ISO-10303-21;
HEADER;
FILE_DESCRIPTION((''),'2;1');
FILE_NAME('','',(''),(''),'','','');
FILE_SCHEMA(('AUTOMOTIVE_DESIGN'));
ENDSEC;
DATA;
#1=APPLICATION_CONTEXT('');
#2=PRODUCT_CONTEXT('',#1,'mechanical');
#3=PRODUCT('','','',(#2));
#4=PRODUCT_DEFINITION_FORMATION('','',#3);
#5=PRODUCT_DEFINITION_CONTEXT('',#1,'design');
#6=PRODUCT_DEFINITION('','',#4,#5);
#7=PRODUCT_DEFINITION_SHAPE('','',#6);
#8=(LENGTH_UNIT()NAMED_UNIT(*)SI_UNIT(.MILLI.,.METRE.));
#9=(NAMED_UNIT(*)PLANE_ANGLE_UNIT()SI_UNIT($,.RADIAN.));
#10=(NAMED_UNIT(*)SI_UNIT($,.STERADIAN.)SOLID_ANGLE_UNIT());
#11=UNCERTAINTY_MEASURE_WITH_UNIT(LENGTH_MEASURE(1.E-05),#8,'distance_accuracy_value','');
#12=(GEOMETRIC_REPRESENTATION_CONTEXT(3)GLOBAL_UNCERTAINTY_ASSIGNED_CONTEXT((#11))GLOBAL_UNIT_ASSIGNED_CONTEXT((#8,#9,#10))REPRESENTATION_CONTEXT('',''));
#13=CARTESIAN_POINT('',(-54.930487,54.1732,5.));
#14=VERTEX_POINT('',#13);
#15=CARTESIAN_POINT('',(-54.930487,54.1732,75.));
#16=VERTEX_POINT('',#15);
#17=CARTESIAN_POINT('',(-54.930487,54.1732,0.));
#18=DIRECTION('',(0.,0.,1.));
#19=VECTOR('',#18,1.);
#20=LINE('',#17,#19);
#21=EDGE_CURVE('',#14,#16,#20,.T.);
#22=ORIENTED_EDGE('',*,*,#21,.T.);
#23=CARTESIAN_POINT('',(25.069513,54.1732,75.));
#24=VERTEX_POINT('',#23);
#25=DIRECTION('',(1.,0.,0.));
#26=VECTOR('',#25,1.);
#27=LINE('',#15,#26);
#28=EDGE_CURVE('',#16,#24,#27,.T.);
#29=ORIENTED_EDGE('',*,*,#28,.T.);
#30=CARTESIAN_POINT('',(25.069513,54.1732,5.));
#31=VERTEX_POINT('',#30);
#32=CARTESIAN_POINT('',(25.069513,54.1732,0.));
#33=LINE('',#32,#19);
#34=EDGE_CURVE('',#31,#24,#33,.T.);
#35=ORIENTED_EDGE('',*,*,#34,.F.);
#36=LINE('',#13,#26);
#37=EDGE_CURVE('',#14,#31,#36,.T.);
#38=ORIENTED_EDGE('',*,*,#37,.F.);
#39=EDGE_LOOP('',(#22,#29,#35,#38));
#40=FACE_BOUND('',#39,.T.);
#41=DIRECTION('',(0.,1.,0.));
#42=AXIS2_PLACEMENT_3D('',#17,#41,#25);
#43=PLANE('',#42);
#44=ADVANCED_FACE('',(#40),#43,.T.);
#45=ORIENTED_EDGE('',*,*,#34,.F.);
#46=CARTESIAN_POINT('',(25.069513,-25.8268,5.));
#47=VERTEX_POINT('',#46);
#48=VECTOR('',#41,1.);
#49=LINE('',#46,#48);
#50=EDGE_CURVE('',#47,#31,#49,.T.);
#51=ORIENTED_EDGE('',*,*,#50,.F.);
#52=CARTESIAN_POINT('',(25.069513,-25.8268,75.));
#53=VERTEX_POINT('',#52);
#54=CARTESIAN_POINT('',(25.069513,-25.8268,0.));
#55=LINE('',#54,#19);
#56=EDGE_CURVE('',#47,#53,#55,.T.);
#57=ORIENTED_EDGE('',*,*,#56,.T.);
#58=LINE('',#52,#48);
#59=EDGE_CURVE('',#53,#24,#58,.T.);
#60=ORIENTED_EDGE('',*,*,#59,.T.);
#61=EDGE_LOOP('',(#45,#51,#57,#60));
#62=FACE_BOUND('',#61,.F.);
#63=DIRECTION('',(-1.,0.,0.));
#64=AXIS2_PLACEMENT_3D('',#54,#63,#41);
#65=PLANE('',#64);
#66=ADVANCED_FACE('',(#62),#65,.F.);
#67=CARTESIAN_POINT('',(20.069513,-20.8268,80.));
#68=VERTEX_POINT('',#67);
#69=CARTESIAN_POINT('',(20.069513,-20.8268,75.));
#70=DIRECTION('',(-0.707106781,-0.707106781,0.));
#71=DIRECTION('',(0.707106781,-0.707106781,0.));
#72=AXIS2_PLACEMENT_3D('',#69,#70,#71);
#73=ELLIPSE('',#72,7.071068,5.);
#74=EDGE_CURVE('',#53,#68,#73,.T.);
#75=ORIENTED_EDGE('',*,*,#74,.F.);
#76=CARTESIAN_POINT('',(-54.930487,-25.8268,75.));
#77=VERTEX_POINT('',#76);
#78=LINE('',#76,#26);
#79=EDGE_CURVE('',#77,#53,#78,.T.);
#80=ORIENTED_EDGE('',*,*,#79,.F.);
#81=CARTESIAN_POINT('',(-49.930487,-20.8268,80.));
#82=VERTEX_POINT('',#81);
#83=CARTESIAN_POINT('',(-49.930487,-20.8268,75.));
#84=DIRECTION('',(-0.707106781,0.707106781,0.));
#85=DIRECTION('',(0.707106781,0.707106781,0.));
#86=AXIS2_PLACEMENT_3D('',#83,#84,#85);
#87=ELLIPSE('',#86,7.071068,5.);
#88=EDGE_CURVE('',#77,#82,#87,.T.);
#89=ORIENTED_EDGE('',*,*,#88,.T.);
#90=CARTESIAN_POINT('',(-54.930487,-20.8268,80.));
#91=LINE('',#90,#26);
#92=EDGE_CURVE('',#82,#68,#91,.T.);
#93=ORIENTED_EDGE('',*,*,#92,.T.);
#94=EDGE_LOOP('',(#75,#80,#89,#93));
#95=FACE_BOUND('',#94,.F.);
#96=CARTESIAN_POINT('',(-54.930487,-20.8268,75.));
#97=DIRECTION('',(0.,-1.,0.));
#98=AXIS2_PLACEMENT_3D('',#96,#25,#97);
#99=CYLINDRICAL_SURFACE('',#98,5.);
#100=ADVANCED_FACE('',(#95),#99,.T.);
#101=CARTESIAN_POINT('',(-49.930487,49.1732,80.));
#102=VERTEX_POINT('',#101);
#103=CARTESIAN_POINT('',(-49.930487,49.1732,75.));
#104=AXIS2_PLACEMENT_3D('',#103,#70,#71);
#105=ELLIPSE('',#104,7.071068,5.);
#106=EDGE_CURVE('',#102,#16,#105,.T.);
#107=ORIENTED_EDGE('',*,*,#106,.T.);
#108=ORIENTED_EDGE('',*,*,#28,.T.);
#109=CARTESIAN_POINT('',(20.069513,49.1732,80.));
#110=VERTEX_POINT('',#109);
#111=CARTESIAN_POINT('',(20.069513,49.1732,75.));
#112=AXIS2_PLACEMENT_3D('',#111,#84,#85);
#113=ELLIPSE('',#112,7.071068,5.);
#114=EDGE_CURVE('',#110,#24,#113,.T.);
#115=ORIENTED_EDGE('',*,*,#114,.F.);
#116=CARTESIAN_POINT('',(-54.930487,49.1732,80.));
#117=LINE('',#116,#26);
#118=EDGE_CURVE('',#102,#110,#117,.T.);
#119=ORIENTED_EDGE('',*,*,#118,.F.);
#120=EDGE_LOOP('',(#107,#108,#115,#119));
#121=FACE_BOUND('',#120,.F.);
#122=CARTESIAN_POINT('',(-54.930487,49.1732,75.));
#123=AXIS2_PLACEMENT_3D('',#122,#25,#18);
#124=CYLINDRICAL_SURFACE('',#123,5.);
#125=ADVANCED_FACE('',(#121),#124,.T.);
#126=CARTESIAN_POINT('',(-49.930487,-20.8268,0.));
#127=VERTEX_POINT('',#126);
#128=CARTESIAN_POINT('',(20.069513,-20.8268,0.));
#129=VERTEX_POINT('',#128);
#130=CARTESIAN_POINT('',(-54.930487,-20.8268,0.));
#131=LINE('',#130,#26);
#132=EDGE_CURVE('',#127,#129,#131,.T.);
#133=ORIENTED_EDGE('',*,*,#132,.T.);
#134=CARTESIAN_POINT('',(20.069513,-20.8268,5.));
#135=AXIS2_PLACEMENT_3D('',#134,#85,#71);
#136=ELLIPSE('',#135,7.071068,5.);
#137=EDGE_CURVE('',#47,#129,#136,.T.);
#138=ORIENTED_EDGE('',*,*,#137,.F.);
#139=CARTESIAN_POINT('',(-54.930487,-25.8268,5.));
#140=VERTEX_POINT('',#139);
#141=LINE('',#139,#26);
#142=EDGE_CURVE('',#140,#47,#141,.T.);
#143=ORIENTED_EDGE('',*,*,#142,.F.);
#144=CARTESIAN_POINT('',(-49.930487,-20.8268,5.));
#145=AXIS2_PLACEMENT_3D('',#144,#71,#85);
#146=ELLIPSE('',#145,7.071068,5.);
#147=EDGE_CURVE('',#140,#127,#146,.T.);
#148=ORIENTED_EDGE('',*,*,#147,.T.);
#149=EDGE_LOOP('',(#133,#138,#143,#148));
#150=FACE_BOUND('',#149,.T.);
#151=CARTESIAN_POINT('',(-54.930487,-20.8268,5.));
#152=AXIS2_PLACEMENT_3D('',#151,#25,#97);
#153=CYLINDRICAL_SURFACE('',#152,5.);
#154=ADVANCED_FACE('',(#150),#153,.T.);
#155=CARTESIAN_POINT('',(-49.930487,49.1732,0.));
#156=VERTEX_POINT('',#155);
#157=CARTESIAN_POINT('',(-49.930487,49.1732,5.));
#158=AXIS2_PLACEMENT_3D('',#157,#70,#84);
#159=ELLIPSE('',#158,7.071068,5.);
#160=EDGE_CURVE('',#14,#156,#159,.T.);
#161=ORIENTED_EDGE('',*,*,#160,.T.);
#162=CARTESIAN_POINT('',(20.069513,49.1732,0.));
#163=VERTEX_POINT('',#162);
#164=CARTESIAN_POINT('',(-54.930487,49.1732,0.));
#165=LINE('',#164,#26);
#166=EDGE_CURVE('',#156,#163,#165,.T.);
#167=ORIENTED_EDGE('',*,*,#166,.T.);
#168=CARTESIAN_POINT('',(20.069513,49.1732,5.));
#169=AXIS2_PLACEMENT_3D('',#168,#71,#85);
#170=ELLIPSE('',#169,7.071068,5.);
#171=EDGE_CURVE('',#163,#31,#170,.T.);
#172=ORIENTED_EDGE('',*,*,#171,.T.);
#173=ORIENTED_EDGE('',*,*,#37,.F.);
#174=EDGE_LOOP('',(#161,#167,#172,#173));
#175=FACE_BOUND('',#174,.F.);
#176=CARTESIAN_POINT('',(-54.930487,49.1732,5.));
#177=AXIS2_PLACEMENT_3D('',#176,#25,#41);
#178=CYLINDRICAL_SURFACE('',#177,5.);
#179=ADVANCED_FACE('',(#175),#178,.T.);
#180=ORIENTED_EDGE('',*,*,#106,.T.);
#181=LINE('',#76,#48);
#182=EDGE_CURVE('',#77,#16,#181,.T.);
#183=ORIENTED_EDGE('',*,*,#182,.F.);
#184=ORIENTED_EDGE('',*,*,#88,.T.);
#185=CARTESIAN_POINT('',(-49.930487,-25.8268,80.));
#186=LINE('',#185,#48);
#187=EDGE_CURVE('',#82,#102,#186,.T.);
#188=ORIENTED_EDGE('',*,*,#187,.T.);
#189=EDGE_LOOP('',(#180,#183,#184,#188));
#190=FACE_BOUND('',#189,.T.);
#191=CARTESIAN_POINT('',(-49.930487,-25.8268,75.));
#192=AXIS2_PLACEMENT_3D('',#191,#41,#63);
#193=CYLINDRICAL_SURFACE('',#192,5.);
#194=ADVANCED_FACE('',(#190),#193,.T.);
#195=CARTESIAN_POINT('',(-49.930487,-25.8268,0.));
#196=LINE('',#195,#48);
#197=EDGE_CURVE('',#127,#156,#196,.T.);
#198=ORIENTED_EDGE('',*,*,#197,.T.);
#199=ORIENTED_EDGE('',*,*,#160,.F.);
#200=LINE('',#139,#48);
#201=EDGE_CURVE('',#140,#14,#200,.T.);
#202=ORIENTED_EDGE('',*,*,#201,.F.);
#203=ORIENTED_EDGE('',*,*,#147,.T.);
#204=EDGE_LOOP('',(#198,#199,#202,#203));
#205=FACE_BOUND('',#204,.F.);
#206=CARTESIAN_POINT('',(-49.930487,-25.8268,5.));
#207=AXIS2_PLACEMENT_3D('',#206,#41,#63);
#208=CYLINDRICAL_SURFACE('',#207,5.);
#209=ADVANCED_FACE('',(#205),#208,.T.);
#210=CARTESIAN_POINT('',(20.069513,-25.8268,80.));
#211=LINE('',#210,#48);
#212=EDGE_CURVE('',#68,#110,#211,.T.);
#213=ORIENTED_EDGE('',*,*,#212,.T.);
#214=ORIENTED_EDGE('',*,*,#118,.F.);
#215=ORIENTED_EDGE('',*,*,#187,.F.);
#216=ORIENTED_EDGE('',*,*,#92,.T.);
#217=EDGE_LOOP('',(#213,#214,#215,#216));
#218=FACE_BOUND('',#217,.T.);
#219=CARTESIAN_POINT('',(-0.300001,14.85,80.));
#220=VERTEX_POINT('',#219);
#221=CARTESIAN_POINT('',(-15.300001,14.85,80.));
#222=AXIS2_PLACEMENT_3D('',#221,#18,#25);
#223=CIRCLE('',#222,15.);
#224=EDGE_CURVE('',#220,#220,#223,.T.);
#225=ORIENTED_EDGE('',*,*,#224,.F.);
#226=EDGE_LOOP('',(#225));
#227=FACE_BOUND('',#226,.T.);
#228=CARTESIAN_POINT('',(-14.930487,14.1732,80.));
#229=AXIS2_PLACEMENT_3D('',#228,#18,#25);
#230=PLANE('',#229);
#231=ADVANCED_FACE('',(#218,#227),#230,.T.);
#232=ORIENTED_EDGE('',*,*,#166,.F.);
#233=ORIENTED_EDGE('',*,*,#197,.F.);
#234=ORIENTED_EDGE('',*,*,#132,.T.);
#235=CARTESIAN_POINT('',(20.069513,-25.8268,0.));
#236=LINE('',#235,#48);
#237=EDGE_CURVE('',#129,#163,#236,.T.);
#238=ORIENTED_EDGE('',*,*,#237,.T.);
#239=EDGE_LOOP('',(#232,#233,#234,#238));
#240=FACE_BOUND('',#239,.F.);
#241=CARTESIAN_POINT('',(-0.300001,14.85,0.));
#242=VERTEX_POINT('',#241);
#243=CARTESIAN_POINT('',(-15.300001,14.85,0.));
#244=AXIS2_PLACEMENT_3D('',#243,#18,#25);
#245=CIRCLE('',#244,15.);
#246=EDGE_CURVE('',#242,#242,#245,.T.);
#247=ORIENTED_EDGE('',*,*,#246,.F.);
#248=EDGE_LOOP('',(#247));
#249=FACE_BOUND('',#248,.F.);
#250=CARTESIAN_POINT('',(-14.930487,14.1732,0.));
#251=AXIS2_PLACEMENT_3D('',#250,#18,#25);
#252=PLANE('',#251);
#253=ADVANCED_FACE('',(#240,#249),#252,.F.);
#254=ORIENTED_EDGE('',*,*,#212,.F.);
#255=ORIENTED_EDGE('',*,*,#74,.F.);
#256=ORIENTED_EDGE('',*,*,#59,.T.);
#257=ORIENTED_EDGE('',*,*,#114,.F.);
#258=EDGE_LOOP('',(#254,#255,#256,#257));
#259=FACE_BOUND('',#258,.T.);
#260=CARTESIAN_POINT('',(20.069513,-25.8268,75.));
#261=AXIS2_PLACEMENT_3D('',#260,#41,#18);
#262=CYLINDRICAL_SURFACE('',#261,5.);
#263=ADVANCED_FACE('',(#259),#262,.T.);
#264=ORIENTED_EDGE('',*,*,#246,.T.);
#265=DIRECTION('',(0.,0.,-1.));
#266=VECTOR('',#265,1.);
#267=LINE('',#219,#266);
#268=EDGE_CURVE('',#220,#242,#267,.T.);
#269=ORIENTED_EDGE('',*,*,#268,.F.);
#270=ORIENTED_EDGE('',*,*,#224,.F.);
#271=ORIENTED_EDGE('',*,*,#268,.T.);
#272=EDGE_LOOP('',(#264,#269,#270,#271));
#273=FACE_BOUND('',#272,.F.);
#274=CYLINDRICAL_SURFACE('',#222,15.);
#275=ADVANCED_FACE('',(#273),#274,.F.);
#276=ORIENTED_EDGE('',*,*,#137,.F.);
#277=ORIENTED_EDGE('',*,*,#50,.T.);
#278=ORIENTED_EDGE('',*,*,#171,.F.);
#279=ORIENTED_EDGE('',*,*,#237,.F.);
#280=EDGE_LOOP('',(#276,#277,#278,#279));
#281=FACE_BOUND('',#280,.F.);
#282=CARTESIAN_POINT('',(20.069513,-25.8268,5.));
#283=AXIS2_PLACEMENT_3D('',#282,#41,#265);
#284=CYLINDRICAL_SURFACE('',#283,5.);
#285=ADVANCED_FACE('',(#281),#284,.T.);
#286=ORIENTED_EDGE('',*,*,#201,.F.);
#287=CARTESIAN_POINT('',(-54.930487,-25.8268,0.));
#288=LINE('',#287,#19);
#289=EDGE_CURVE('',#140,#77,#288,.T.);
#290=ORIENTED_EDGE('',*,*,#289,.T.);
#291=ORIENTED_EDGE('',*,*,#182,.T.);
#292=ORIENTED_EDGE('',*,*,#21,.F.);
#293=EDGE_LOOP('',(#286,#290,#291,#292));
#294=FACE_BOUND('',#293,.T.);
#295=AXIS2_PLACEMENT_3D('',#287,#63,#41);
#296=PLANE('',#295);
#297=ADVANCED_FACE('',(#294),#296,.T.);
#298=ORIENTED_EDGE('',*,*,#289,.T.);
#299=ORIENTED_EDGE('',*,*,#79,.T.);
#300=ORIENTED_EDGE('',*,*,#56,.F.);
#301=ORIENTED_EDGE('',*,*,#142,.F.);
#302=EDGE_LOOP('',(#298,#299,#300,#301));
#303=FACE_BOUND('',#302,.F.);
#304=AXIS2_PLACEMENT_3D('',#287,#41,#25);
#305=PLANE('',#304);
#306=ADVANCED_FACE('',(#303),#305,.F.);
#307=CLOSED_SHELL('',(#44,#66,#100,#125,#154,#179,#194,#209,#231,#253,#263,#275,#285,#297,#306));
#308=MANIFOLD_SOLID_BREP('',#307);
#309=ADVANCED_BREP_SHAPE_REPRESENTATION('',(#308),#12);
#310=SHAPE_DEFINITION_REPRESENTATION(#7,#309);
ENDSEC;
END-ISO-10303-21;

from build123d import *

# Parameters (mm, degrees)
F0_W     = 80
F0_H     = 80
F1_DEPTH = 80
F2_R     = 15
F3_DEPTH = 80.001
F4_R     = 5
F5_R     = 5


with BuildPart() as f1:
    # F0 (on Top) → F1 (new body)
    with BuildSketch(Plane.XY):
        with Locations((-14.930487, 14.1732)):
            Rectangle(F0_W, F0_H)
    extrude(amount=F1_DEPTH)

    # F2 (on face) → F3 (cut, through all)
    with BuildSketch(Plane.XY.offset(80)):
        with Locations((-15.300001, 14.85)):
            Circle(F2_R)
    extrude(amount=-F3_DEPTH, mode=Mode.SUBTRACT)

    # F4
    f4_edges = [f1.edges().sort_by_distance(p)[0] for p in [
        (-14.930487, -25.8268, 0),
        (-54.930487, 14.1732, 0),
        (25.069513, 14.1732, 0),
        (-14.930487, 54.1732, 0),
    ]]
    fillet(f4_edges, radius=F4_R)

    # F5
    f5_edges = [f1.edges().sort_by_distance(p)[0] for p in [
        (-14.930487, 54.1732, 80),
        (-54.930487, 14.1732, 80),
        (-14.930487, -25.8268, 80),
        (25.069513, 14.1732, 80),
    ]]
    fillet(f5_edges, radius=F5_R)


solid = f1.part
